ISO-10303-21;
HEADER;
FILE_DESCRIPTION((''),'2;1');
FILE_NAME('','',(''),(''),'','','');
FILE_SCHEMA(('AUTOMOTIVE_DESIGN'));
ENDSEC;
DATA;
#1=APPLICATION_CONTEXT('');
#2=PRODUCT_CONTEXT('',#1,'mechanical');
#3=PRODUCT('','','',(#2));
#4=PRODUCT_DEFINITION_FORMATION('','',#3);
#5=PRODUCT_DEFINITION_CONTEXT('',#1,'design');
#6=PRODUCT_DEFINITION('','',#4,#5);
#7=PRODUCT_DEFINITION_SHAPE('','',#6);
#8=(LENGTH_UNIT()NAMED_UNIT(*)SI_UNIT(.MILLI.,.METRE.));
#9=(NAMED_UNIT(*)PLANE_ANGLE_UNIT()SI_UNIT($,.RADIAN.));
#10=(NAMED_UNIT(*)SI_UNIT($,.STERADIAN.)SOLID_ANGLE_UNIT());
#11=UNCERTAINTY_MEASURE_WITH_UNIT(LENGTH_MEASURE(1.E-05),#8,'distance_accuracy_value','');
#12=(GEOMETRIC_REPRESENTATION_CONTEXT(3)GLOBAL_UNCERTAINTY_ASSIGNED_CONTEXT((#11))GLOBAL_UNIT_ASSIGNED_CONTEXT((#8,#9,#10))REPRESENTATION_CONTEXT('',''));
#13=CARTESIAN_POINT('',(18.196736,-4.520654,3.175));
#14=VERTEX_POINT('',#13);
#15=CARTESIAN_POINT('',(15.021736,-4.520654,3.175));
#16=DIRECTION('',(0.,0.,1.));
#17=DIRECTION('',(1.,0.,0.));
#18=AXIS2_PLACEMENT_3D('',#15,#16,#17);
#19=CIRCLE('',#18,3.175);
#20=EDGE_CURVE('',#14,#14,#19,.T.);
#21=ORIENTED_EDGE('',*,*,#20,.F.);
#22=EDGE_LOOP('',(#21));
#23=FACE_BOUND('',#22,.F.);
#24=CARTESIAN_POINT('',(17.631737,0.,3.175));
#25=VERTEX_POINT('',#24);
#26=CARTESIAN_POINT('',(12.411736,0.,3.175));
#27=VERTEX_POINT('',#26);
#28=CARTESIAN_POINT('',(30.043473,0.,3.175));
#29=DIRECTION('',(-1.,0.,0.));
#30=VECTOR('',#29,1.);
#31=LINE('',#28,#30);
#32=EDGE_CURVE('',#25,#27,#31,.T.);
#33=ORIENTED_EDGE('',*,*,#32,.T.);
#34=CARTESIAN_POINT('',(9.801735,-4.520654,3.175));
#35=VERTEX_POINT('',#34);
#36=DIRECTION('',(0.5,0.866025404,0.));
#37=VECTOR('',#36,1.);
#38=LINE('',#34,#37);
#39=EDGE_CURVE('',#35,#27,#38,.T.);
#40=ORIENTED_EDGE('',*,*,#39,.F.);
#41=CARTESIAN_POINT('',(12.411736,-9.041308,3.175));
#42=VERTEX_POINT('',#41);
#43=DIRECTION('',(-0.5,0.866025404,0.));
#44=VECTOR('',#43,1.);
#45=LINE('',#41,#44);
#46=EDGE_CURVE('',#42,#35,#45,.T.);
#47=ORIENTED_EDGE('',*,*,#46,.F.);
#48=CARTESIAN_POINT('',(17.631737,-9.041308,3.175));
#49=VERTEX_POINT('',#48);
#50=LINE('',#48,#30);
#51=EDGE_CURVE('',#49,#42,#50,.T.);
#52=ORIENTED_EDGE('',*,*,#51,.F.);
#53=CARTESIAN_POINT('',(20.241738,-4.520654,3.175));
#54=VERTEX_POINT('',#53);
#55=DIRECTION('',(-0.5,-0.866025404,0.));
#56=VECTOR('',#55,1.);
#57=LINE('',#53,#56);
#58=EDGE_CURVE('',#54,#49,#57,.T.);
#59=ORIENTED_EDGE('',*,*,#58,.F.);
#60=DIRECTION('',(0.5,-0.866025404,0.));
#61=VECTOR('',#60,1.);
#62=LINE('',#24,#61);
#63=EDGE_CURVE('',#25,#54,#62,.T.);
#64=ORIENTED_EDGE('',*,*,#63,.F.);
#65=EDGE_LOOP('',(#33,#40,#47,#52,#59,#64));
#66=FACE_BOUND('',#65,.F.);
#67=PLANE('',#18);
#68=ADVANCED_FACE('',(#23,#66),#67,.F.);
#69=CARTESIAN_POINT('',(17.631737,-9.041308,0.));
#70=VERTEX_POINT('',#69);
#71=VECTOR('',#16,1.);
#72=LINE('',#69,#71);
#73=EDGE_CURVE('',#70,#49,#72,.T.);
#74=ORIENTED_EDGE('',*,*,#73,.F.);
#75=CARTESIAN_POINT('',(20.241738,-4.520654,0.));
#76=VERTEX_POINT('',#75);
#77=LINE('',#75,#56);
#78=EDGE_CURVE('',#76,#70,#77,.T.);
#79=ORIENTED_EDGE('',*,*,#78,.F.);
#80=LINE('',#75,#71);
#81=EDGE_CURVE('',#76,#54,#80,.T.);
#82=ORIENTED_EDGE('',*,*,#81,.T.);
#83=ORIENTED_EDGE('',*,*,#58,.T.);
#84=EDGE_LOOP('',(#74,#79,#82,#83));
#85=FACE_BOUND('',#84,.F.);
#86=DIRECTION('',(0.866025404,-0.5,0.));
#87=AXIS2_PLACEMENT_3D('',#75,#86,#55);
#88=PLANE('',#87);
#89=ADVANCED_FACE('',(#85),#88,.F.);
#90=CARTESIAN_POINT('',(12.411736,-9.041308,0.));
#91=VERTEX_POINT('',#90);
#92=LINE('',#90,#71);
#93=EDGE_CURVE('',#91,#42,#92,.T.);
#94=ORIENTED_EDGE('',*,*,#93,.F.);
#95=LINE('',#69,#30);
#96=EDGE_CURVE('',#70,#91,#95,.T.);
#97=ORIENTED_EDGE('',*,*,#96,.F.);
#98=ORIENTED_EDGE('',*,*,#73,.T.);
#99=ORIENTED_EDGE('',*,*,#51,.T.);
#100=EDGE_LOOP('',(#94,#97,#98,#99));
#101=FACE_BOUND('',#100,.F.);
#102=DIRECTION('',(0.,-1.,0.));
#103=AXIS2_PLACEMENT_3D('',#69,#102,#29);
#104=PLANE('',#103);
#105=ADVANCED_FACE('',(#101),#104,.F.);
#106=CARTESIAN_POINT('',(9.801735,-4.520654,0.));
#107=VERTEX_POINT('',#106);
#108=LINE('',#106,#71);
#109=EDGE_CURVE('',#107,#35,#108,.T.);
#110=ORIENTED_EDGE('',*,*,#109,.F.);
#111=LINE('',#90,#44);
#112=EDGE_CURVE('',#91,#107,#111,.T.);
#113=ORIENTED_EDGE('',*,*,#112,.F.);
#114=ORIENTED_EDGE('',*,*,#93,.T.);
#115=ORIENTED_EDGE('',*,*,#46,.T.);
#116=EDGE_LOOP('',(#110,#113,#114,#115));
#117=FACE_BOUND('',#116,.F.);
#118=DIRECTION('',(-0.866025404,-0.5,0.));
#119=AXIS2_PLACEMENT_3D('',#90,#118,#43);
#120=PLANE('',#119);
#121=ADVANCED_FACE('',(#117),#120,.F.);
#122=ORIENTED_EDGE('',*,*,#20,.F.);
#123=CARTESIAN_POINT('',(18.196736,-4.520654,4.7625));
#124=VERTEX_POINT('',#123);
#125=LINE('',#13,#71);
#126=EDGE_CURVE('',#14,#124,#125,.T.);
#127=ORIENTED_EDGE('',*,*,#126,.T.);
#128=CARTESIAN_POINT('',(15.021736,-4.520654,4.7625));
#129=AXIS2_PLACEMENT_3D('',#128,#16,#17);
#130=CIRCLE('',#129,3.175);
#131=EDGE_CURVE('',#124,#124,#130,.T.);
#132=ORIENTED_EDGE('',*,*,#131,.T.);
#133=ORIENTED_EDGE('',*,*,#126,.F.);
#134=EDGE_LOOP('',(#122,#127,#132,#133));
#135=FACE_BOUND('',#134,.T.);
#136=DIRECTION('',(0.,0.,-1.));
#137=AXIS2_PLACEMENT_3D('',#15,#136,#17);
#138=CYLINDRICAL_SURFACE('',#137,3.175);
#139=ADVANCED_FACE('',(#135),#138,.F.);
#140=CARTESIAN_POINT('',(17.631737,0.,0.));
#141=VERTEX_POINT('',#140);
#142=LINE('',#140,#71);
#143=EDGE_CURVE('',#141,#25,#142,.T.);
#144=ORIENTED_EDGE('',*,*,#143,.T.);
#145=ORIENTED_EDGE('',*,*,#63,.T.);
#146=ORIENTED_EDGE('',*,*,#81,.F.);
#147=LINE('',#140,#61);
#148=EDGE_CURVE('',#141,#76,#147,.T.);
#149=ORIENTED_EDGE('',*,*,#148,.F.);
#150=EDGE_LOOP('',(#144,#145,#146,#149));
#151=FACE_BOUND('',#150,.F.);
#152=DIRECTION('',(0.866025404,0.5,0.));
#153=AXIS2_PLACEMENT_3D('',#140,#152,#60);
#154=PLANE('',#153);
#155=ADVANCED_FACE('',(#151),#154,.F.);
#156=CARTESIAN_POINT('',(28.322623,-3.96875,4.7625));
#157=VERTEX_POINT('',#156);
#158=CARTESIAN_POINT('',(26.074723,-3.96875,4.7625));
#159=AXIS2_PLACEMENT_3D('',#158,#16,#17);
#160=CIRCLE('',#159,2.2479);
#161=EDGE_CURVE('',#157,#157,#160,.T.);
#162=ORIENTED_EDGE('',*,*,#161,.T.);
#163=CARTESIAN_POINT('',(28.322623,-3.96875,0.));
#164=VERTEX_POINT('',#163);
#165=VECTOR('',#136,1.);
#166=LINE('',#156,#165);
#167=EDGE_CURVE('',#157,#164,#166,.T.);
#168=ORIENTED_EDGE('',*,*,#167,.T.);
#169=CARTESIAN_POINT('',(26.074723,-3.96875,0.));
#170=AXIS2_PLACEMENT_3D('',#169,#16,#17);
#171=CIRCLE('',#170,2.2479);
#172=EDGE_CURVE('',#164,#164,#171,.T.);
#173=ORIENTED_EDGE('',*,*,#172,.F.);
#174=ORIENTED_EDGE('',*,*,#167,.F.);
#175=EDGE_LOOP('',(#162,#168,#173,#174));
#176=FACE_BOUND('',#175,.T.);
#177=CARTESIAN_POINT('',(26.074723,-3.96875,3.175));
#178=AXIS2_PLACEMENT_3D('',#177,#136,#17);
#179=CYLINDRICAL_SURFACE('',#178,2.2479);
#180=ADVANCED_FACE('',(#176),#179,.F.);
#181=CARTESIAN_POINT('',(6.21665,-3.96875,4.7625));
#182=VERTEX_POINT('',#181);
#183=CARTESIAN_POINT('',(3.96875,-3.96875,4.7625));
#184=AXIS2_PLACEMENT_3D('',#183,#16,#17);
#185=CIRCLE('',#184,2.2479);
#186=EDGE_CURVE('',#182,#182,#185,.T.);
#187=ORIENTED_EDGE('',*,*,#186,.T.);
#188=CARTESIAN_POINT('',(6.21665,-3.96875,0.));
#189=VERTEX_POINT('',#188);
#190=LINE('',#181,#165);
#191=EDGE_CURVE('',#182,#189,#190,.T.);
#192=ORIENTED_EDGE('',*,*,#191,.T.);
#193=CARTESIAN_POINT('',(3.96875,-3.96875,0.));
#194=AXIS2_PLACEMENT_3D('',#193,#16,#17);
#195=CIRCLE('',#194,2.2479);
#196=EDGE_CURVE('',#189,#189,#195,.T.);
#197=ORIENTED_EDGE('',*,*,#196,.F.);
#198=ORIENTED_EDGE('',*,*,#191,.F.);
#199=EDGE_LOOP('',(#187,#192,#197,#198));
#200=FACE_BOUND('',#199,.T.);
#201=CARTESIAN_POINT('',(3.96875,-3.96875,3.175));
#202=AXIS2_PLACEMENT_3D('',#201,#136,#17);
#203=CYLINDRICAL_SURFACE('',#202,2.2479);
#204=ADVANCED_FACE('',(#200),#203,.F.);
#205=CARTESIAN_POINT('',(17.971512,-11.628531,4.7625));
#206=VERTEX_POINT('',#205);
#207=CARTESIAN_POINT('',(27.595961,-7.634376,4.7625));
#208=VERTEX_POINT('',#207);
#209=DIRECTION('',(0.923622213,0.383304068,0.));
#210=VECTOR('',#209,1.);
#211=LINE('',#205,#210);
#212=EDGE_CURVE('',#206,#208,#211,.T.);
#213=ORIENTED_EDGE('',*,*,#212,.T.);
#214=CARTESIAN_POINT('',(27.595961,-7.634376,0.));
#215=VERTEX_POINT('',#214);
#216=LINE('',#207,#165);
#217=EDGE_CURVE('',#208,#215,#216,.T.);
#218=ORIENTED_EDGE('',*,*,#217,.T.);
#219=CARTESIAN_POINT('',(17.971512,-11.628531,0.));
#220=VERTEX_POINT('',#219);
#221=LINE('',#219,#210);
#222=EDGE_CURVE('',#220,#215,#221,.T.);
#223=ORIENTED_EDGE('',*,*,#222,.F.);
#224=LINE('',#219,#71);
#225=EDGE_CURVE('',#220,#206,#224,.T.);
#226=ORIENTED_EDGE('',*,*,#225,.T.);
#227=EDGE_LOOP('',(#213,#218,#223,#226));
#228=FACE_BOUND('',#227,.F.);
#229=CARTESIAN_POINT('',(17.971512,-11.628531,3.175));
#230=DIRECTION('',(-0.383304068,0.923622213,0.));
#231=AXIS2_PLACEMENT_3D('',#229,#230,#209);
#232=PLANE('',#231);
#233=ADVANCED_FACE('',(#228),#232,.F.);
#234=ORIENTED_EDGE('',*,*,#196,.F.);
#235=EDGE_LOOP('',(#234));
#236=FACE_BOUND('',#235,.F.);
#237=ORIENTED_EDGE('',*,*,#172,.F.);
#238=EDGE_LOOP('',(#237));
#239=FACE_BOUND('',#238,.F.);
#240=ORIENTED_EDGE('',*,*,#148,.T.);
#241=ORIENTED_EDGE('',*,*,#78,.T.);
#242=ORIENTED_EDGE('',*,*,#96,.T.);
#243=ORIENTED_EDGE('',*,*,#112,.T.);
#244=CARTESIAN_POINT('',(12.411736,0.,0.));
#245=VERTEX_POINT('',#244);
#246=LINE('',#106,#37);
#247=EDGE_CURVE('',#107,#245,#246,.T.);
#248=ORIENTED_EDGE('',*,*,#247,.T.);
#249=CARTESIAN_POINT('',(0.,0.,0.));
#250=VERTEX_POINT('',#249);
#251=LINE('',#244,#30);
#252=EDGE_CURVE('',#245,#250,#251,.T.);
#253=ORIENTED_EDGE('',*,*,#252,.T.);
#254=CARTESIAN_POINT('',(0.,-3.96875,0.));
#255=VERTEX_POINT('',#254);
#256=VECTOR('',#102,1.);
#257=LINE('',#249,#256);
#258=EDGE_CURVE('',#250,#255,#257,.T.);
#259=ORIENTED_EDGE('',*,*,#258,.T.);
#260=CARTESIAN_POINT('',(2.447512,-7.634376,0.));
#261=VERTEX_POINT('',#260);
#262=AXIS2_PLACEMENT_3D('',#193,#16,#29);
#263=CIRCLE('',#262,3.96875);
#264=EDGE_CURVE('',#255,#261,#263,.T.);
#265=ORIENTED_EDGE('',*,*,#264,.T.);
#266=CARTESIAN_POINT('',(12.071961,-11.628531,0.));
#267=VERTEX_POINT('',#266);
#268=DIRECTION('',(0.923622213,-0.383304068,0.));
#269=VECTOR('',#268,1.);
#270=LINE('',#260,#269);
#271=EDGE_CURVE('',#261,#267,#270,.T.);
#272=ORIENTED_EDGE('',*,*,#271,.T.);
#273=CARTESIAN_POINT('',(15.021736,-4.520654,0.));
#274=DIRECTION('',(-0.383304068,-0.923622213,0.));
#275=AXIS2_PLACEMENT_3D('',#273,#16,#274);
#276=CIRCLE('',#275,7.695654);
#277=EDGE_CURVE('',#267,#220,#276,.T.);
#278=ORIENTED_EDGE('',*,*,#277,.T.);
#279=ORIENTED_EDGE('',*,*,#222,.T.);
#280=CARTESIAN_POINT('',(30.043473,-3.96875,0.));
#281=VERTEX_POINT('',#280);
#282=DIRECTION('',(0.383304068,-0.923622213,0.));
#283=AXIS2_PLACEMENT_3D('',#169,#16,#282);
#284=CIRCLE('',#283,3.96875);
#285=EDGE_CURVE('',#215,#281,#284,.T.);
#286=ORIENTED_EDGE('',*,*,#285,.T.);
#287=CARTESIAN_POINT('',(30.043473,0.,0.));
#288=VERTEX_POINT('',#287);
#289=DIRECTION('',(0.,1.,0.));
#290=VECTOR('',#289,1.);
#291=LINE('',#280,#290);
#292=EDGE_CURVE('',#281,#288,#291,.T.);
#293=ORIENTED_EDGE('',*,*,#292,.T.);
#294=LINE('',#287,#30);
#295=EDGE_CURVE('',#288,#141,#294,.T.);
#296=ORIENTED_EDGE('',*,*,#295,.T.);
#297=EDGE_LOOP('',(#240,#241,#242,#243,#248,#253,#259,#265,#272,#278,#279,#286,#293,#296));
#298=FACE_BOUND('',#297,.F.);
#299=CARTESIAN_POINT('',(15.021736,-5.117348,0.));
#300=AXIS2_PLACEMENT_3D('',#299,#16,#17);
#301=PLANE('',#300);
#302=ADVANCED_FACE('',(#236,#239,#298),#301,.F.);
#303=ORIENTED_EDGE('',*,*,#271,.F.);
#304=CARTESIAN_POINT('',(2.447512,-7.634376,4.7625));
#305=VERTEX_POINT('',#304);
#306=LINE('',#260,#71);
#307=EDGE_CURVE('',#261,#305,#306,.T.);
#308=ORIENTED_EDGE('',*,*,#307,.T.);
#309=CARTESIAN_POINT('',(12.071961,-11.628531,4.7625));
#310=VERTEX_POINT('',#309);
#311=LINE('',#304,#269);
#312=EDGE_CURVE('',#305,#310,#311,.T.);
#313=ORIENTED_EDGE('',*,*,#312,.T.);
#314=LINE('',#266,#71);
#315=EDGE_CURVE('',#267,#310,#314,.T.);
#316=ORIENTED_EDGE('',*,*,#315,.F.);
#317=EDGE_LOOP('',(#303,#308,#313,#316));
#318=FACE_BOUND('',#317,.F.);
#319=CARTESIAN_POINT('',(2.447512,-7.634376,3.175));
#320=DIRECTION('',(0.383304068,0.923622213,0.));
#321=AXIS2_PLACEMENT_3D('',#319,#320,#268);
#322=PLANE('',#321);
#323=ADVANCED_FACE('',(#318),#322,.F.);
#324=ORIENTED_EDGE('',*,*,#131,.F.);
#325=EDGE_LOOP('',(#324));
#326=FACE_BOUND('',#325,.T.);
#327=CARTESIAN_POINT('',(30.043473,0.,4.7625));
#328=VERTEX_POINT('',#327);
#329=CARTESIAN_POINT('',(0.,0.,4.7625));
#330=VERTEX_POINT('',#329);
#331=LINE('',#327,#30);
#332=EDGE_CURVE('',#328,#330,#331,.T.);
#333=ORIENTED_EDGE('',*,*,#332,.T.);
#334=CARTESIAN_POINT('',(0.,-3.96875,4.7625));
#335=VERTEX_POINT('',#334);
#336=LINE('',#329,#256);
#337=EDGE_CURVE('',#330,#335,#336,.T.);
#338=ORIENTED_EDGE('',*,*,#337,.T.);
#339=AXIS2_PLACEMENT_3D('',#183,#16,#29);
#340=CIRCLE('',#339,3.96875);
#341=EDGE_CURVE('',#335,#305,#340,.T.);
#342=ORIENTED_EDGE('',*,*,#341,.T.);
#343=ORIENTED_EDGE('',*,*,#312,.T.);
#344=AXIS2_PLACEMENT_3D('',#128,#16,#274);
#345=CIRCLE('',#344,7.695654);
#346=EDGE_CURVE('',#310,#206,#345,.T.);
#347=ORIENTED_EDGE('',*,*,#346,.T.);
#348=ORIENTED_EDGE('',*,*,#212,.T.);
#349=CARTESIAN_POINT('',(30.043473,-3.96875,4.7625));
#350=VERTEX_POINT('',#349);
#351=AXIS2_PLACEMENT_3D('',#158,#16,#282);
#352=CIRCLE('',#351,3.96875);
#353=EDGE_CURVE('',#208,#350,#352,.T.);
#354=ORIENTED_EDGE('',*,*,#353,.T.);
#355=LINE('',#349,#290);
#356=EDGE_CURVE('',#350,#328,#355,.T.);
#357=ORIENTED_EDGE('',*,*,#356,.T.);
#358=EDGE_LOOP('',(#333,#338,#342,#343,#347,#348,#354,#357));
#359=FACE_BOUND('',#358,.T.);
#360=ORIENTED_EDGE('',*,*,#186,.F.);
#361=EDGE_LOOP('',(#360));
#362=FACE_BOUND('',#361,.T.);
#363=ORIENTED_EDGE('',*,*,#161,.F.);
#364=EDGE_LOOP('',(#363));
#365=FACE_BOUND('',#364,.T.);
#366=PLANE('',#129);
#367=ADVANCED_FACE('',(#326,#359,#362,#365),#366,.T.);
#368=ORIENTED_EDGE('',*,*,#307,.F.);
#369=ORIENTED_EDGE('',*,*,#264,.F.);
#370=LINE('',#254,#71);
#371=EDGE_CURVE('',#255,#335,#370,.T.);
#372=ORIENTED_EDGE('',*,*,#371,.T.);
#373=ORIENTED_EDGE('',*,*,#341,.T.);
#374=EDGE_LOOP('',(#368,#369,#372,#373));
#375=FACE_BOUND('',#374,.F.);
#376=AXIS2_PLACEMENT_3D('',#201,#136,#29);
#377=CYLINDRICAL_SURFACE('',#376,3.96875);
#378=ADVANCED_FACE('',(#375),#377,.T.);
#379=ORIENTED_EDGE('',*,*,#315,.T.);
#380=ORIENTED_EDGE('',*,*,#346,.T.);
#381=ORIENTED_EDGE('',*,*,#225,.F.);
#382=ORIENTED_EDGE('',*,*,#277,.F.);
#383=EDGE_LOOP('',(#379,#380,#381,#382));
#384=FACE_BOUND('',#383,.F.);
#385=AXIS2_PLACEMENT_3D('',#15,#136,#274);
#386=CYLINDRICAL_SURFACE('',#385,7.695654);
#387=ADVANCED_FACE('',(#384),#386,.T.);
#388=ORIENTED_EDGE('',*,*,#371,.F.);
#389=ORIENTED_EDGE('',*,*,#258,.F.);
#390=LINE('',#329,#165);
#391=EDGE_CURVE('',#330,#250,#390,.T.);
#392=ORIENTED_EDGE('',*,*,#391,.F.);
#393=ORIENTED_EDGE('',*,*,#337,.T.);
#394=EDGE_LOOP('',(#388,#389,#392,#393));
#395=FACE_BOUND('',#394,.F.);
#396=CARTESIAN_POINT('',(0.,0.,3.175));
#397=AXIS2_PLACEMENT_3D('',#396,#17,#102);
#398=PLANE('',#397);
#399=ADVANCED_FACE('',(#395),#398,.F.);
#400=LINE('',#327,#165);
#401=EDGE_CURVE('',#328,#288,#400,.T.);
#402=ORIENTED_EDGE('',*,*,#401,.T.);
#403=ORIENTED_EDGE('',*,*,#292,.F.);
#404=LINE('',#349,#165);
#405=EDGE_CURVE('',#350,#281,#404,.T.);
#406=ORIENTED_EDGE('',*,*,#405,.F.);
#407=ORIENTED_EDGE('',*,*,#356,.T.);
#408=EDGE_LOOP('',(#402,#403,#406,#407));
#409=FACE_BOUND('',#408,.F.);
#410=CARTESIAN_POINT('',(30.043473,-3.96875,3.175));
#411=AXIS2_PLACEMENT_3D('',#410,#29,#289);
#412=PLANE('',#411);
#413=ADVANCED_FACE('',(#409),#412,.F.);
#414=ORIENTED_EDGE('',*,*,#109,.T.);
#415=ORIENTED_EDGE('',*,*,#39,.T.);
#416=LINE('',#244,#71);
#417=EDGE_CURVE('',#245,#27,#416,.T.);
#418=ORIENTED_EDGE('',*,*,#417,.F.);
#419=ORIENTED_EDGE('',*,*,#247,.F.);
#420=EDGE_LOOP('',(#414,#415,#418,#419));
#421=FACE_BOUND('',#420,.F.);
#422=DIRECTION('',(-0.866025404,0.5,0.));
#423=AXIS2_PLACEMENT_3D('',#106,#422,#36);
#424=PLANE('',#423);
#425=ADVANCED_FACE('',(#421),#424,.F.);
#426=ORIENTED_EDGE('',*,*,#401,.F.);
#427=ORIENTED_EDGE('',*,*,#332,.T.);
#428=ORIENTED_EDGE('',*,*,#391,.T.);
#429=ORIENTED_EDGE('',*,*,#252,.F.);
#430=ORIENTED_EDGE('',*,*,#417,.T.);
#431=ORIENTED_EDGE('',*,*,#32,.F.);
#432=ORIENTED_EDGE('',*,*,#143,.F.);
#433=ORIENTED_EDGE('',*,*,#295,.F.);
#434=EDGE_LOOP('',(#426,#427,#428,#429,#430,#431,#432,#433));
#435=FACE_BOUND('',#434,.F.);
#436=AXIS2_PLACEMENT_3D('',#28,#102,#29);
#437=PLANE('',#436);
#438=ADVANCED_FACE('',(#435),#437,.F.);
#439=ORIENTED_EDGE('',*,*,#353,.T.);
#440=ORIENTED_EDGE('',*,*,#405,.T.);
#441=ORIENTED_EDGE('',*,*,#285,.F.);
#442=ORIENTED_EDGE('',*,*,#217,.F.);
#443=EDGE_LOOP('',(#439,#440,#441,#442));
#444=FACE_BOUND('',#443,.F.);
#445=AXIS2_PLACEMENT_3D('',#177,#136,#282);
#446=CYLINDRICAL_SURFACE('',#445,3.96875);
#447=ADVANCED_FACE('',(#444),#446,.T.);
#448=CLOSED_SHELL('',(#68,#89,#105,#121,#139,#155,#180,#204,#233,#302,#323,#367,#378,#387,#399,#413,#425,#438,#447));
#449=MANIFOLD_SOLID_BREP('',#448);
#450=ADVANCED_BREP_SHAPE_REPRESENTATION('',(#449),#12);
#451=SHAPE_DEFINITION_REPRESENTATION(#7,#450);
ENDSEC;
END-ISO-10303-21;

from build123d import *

# Parameters (mm, degrees)
F0_R     = 2.2479
F1_DEPTH = 3.175
F2_R     = 3.175
F2_R_2   = 2.2479
F3_DEPTH = 1.5875


with BuildPart() as f1:
    # F0 (on Top) → F1 (new body)
    with BuildSketch(Plane.XY):
        with BuildLine():
            Line((12.411735532, 0), (0, 0))
            Line((0, 0), (0, -3.96875))
            ThreePointArc((0, -3.96875), (0.6681144589, -6.1725606968), (2.4475119811, -7.6343756563))
            Line((2.4475119811, -7.6343756563), (12.0719608341, -11.6285307826))
            ThreePointArc((12.0719608341, -11.6285307826), (15.021736278, -12.2163078), (17.971511722, -11.6285307826))
            Line((17.971511722, -11.6285307826), (27.595960575, -7.6343756563))
            ThreePointArc((27.595960575, -7.6343756563), (29.3753580972, -6.1725606968), (30.0434725561, -3.96875))
            Line((30.0434725561, -3.96875), (30.0434725561, 0))
            Line((30.0434725561, 0), (17.6317370241, 0))
            Line((17.6317370241, 0), (20.2417377702, -4.5206539))
            Line((20.2417377702, -4.5206539), (17.6317370241, -9.0413078))
            Line((17.6317370241, -9.0413078), (12.411735532, -9.0413078))
            Line((12.411735532, -9.0413078), (9.8017347859, -4.5206539))
            Line((9.8017347859, -4.5206539), (12.411735532, 0))
        make_face()
        with Locations((3.96875, -3.96875)):
            Circle(F0_R, mode=Mode.SUBTRACT)
        with Locations((26.0747225561, -3.96875)):
            Circle(F0_R, mode=Mode.SUBTRACT)
    extrude(amount=F1_DEPTH)

    # F2 (on face) → F3 (join)
    with BuildSketch(Plane.XY.offset(3.175)):
        Polygon((20.2417377702, -4.5206539), (17.6317370241, 0), (12.411735532, 0), (9.8017347859, -4.5206539), (12.411735532, -9.0413078), (17.6317370241, -9.0413078), align=None)
        with Locations((15.021736278, -4.5206539)):
            Circle(F2_R, mode=Mode.SUBTRACT)
        with BuildLine():
            Line((30.0434725561, 0), (17.6317370241, 0))
            Line((17.6317370241, 0), (20.2417377702, -4.5206539))
            Line((20.2417377702, -4.5206539), (17.6317370241, -9.0413078))
            Line((17.6317370241, -9.0413078), (12.411735532, -9.0413078))
            Line((12.411735532, -9.0413078), (9.8017347859, -4.5206539))
            Line((9.8017347859, -4.5206539), (12.411735532, 0))
            Line((12.411735532, 0), (0, 0))
            Line((0, 0), (0, -3.96875))
            ThreePointArc((0, -3.96875), (0.6681144589, -6.1725606968), (2.4475119811, -7.6343756563))
            Line((2.4475119811, -7.6343756563), (12.0719608341, -11.6285307826))
            ThreePointArc((12.0719608341, -11.6285307826), (15.021736278, -12.2163078), (17.971511722, -11.6285307826))
            Line((17.971511722, -11.6285307826), (27.595960575, -7.6343756563))
            ThreePointArc((27.595960575, -7.6343756563), (29.3753580972, -6.1725606968), (30.0434725561, -3.96875))
            Line((30.0434725561, -3.96875), (30.0434725561, 0))
        make_face()
        with Locations((3.96875, -3.96875)):
            Circle(F2_R_2, mode=Mode.SUBTRACT)
        with Locations((26.0747225561, -3.96875)):
            Circle(F2_R_2, mode=Mode.SUBTRACT)
    extrude(amount=F3_DEPTH)


solid = f1.part
